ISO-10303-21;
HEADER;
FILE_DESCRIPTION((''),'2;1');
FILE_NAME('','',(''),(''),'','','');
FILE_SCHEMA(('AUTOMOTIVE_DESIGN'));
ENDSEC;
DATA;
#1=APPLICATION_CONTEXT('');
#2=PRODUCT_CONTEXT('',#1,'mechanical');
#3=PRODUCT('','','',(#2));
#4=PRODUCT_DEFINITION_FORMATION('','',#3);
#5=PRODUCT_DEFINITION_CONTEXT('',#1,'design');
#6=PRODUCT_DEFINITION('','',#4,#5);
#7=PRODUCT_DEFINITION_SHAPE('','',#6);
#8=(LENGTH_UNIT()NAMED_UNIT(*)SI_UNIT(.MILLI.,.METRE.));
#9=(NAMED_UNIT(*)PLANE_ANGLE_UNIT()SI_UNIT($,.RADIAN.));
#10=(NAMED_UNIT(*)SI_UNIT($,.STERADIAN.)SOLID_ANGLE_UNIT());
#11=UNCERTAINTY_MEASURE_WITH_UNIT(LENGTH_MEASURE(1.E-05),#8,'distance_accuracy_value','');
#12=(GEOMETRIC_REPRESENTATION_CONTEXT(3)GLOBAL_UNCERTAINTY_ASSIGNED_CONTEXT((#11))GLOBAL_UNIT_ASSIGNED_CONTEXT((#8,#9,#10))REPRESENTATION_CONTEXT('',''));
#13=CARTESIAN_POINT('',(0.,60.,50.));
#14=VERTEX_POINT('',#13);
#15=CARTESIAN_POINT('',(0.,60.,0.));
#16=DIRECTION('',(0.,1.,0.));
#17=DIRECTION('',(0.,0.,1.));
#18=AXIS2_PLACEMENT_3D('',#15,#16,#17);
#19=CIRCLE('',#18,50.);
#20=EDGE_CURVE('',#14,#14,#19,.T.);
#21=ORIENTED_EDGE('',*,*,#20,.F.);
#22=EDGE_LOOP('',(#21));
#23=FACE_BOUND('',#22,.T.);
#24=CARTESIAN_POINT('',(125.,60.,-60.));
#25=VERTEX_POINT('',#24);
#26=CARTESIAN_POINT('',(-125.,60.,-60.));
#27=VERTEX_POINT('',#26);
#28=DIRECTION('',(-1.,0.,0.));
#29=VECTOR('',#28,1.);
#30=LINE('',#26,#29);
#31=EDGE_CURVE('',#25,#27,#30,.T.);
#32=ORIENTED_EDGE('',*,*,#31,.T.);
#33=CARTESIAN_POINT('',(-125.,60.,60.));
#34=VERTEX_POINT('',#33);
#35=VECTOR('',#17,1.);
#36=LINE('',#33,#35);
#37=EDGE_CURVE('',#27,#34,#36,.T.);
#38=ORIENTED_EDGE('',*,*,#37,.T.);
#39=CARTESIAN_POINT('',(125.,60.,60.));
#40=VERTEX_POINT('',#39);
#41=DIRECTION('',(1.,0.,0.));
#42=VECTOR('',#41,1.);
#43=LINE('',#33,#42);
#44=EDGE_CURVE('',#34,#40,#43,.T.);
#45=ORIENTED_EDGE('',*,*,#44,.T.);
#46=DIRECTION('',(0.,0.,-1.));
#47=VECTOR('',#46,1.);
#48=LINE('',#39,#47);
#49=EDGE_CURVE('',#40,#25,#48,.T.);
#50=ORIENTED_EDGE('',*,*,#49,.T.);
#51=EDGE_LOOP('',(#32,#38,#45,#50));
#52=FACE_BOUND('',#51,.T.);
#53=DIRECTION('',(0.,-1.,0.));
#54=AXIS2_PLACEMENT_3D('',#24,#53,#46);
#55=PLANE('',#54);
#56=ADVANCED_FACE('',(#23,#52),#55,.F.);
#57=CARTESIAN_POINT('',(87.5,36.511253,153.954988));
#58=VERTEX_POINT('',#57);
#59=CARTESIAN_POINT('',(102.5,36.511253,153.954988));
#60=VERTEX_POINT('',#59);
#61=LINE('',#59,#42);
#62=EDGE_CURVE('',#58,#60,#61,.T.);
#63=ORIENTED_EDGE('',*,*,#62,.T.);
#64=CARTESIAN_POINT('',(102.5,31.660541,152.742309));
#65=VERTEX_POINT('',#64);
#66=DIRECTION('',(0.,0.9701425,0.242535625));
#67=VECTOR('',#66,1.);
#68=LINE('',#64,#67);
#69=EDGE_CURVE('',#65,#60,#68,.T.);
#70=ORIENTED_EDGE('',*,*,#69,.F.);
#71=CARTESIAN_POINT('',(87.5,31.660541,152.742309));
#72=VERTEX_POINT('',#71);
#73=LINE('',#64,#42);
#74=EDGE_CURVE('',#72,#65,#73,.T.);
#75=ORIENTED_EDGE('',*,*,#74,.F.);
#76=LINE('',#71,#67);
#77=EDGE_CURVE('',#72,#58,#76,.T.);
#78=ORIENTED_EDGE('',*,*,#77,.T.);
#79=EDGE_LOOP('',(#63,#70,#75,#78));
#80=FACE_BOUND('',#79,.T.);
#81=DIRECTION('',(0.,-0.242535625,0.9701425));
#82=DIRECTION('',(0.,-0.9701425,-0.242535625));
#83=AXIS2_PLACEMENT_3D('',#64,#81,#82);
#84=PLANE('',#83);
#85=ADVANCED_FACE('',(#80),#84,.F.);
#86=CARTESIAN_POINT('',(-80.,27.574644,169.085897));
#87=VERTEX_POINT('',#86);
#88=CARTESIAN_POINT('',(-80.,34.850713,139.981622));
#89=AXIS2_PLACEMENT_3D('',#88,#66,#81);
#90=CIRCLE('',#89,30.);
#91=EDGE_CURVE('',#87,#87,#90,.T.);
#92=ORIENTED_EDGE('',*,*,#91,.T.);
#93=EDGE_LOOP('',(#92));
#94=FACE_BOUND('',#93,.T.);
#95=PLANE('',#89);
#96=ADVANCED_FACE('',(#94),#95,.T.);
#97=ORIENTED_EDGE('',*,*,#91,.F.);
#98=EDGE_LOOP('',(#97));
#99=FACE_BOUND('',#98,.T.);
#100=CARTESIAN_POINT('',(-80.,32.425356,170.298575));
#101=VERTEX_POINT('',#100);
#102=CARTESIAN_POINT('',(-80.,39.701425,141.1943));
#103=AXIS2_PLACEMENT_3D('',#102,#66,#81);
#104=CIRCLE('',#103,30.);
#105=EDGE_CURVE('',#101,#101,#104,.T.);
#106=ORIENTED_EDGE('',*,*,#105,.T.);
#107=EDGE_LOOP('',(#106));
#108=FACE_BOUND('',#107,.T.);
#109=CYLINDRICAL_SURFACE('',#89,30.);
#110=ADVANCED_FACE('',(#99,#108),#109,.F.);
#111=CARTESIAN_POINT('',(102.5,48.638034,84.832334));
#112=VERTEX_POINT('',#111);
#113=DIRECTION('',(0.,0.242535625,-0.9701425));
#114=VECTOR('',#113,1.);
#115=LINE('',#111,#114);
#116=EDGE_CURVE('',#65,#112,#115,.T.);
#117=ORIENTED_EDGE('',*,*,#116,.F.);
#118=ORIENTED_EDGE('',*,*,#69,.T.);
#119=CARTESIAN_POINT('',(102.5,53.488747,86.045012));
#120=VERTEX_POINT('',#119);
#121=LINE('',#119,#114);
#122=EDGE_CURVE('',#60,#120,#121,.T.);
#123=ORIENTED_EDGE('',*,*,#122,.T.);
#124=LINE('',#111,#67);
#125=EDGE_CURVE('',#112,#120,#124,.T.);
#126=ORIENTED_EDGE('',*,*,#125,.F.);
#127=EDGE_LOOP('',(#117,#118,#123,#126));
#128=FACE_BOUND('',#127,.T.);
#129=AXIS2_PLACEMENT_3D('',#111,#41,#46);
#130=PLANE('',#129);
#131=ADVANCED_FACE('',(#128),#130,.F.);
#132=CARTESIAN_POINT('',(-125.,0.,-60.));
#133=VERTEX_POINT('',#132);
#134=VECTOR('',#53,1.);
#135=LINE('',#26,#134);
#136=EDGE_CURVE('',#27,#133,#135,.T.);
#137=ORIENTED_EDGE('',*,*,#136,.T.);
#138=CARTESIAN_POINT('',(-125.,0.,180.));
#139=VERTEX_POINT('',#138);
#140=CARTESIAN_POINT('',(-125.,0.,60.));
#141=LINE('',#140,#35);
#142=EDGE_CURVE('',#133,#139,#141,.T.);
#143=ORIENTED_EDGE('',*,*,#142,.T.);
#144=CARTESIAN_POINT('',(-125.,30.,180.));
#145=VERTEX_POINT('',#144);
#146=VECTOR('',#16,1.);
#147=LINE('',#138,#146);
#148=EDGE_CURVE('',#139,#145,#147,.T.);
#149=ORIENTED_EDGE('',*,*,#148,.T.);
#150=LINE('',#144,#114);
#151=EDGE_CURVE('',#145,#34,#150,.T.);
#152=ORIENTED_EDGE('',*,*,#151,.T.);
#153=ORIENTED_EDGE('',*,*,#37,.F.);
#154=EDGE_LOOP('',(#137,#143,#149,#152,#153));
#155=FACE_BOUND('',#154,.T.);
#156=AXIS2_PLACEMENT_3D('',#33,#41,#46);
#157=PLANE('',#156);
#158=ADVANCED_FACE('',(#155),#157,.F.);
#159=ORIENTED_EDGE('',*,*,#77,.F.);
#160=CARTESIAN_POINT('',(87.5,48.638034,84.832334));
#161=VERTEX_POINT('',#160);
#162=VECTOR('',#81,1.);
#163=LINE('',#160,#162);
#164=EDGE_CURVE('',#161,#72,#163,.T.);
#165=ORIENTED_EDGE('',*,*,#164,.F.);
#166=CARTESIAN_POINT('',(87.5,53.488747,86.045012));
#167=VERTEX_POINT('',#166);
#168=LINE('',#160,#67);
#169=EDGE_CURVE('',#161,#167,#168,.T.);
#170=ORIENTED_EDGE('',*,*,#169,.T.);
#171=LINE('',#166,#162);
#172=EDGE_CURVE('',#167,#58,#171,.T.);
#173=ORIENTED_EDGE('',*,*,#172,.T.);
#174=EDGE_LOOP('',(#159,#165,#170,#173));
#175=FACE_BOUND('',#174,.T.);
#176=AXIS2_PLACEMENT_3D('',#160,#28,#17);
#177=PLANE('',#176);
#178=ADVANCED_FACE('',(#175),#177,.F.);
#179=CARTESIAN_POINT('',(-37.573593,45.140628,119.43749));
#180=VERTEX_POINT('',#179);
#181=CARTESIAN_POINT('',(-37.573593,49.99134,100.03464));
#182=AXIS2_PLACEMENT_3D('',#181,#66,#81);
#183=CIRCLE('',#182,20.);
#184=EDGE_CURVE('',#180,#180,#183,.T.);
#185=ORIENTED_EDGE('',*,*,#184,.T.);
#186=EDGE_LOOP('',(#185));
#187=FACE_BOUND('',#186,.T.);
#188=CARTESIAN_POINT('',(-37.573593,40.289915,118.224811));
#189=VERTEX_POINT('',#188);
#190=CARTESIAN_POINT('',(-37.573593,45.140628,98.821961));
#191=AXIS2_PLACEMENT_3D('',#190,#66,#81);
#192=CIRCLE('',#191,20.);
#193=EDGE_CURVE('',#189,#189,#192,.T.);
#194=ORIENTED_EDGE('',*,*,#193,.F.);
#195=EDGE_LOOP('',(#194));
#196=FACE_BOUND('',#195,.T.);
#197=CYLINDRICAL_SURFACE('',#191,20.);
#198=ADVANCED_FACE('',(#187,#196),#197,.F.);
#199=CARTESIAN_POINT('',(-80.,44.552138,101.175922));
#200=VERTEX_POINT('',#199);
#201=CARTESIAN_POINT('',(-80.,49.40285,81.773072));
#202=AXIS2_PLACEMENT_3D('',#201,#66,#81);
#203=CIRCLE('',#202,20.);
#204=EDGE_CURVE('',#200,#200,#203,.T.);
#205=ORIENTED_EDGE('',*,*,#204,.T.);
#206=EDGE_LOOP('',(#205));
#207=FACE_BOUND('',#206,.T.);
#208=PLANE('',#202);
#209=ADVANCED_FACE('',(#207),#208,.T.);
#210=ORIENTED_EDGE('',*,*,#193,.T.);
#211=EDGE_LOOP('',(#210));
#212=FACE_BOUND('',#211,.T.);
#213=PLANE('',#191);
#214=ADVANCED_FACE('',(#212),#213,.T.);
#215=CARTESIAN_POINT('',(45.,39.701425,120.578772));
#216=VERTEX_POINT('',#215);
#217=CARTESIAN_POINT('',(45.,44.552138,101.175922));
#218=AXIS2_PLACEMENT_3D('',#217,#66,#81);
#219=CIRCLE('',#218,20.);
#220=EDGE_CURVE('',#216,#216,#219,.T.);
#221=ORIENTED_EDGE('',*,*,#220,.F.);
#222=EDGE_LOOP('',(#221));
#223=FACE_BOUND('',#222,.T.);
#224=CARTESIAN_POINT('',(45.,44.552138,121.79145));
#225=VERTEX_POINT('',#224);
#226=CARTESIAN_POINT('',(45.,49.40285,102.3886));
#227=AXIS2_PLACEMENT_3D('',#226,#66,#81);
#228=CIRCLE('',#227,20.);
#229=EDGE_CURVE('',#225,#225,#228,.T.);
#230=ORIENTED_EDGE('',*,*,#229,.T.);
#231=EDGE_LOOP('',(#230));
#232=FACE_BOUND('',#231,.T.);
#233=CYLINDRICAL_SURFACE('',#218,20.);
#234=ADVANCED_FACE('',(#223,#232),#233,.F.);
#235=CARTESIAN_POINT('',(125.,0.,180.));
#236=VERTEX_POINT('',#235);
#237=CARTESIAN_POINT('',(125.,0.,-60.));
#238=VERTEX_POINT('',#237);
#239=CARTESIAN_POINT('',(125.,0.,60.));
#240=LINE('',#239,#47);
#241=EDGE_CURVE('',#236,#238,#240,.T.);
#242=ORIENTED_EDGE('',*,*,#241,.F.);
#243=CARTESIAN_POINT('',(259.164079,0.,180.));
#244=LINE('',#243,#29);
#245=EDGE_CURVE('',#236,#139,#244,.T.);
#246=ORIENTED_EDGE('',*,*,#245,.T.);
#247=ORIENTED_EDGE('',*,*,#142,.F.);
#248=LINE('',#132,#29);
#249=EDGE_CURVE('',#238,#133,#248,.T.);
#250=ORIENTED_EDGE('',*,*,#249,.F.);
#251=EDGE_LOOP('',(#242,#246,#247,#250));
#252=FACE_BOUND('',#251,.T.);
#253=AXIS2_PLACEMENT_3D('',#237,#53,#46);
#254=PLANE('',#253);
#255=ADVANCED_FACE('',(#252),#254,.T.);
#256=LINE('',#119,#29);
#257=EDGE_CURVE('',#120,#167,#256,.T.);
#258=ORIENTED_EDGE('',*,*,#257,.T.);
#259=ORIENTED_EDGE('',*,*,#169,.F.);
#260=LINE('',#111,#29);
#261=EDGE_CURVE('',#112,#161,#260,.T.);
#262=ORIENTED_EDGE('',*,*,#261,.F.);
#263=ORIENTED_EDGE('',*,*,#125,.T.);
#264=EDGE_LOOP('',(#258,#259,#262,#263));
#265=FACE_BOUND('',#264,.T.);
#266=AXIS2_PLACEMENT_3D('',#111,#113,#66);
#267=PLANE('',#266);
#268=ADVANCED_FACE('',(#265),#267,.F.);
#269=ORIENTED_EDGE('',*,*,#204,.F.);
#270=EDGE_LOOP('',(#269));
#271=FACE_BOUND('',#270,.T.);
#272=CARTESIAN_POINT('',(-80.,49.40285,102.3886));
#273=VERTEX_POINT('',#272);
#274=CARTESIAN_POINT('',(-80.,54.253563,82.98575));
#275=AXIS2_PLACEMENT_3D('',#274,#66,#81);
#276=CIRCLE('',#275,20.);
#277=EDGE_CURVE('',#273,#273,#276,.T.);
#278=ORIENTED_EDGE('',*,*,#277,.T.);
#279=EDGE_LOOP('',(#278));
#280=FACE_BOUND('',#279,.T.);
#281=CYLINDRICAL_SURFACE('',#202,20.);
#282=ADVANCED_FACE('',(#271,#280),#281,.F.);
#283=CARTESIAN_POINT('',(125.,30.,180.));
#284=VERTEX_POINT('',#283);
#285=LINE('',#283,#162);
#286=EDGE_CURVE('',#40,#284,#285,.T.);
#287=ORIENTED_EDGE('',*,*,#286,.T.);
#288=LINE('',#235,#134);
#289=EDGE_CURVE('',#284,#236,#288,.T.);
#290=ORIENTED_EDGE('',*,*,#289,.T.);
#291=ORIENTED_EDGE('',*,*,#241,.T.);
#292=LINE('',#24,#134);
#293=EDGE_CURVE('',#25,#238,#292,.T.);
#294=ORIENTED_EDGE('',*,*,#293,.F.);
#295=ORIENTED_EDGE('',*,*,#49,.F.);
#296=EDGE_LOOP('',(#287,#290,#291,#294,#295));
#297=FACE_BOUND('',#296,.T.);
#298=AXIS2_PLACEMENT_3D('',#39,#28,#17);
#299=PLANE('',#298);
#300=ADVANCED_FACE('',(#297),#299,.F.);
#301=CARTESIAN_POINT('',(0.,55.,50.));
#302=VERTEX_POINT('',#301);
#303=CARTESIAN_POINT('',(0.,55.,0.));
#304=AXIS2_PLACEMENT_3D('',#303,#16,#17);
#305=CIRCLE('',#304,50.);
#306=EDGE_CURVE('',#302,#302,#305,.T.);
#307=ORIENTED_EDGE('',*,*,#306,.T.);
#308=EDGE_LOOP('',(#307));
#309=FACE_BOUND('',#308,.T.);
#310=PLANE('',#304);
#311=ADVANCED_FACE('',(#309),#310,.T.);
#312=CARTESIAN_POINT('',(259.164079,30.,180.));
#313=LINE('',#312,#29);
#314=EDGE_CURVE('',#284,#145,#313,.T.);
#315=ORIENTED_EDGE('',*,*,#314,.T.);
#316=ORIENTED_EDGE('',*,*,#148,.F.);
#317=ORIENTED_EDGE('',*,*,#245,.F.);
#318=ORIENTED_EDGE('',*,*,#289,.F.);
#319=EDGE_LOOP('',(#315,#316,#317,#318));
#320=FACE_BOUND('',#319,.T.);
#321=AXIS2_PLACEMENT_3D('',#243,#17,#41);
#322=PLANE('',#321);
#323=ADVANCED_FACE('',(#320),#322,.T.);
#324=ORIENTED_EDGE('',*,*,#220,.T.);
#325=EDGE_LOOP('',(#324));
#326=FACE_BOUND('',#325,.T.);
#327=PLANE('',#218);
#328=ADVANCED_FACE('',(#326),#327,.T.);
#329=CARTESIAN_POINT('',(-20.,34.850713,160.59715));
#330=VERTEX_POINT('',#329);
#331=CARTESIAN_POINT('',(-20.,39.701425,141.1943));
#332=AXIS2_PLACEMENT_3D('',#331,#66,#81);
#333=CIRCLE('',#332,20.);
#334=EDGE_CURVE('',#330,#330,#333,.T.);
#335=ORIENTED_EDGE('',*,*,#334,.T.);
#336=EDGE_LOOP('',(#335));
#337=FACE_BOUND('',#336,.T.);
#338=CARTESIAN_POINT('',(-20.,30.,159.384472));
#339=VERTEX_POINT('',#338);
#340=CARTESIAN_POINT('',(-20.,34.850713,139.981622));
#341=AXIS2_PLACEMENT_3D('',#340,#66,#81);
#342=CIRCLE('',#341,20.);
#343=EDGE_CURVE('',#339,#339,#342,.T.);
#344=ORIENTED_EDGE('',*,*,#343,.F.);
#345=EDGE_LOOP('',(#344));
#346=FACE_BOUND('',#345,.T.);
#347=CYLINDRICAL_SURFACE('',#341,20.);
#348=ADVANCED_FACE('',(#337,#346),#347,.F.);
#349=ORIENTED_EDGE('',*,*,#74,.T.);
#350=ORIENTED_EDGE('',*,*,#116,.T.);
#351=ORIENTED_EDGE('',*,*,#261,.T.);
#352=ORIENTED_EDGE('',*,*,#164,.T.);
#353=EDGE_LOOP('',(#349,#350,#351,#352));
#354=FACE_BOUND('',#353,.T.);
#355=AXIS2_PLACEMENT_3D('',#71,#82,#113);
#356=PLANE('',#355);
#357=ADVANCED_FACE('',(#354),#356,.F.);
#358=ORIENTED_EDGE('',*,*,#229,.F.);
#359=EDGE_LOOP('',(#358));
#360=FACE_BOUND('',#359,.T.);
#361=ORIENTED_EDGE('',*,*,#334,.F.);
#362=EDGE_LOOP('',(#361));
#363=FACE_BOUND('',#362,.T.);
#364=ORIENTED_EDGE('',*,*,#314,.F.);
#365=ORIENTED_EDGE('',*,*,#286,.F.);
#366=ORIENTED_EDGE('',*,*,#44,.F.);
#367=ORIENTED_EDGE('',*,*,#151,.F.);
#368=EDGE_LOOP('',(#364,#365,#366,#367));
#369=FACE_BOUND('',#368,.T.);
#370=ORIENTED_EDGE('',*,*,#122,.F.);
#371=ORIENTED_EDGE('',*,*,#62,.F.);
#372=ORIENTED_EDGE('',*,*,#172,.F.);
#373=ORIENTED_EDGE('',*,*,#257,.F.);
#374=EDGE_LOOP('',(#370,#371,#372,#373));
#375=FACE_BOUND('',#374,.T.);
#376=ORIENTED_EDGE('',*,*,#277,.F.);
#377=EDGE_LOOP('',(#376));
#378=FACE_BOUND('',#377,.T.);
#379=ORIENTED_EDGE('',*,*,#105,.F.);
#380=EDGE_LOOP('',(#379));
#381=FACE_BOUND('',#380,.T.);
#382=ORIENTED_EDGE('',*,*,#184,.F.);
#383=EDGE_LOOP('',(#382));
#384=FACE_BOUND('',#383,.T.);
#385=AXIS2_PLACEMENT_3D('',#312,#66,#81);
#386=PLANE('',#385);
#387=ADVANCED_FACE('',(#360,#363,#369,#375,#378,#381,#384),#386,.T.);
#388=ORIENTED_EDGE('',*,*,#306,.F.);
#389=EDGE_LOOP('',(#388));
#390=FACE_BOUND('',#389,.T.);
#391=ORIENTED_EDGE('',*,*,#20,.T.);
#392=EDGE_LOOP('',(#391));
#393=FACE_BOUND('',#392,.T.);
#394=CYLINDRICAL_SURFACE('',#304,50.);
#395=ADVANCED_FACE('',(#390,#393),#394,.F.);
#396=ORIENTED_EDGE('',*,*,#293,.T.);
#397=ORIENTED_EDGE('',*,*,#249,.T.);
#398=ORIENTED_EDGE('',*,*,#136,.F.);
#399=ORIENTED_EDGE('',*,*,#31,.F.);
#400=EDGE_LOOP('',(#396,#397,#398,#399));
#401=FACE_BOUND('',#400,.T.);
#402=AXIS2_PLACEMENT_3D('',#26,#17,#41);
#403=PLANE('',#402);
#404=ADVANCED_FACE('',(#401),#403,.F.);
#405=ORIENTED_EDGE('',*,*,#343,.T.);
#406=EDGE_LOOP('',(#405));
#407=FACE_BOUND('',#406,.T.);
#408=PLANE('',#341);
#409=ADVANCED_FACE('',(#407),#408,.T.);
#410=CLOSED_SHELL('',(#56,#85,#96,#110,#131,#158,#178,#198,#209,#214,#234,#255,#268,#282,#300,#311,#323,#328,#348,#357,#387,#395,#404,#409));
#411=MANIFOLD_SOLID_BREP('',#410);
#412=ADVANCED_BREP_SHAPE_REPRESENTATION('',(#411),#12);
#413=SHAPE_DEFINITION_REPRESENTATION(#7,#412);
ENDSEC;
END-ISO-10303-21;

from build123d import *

# Parameters (mm, degrees)
CROQUIS1_W              = 250
CROQUIS1_H              = 120
SALIENTE_EXTRUIR1_DEPTH = 60
SALIENTE_EXTRUIR2_DEPTH = 250
CROQUIS3_R              = 50
CORTAR_EXTRUIR1_DEPTH   = 5
CROQUIS5_R              = 30
CROQUIS5_R_2            = 20
CROQUIS5_W              = 15
CROQUIS5_H              = 70
CORTAR_EXTRUIR2_DEPTH   = 5


with BuildPart() as part:
    # Croquis1 → Saliente-Extruir1 (new body)
    with BuildSketch(Plane(origin=(0, 0, 0), x_dir=(1, 0, 0), z_dir=(0, 1, 0))):
        Rectangle(CROQUIS1_W, CROQUIS1_H)
    extrude(amount=SALIENTE_EXTRUIR1_DEPTH)

    # Croquis2 → Saliente-Extruir2 (add)
    with BuildSketch(Plane.ZY.offset(125)):
        Polygon((60, 60), (60, 0), (180, 0), (180, 30), align=None)
    extrude(amount=-SALIENTE_EXTRUIR2_DEPTH)

    # Croquis3 → Cortar-Extruir1 (cut)
    with BuildSketch(Plane(origin=(0, 60, 0), x_dir=(1, 0, 0), z_dir=(0, 1, 0))):
        with Locations(Location((0, 0, 0), (0, 0, 270))):
            Circle(CROQUIS3_R)
    extrude(amount=-CORTAR_EXTRUIR1_DEPTH, mode=Mode.SUBTRACT)

    # Croquis5 → Cortar-Extruir2 (cut)
    with BuildSketch(Plane(origin=(0, 70.588235294, 17.647058824), x_dir=(-1, 0, 0), z_dir=(0, 0.970142500145332, 0.24253562503633302))):
        with Locations(Location((80, 127.349581275, 0), (0, 0, 90))):
            Circle(CROQUIS5_R)
        with Locations(Location((80, 67.349581275, 0), (0, 0, 90))):
            Circle(CROQUIS5_R_2)
        with Locations(Location((37.573593129, 84.923174404, 0), (0, 0, 90))):
            Circle(CROQUIS5_R_2)
        with Locations(Location((20, 127.349581275, 0), (0, 0, 90))):
            Circle(CROQUIS5_R_2)
        with Locations(Location((-45, 87.349581275, 0), (0, 0, 90))):
            Circle(CROQUIS5_R_2)
        with Locations((-95, 105.502996891)):
            Rectangle(CROQUIS5_W, CROQUIS5_H)
    extrude(amount=-CORTAR_EXTRUIR2_DEPTH, mode=Mode.SUBTRACT)


solid = part.part
